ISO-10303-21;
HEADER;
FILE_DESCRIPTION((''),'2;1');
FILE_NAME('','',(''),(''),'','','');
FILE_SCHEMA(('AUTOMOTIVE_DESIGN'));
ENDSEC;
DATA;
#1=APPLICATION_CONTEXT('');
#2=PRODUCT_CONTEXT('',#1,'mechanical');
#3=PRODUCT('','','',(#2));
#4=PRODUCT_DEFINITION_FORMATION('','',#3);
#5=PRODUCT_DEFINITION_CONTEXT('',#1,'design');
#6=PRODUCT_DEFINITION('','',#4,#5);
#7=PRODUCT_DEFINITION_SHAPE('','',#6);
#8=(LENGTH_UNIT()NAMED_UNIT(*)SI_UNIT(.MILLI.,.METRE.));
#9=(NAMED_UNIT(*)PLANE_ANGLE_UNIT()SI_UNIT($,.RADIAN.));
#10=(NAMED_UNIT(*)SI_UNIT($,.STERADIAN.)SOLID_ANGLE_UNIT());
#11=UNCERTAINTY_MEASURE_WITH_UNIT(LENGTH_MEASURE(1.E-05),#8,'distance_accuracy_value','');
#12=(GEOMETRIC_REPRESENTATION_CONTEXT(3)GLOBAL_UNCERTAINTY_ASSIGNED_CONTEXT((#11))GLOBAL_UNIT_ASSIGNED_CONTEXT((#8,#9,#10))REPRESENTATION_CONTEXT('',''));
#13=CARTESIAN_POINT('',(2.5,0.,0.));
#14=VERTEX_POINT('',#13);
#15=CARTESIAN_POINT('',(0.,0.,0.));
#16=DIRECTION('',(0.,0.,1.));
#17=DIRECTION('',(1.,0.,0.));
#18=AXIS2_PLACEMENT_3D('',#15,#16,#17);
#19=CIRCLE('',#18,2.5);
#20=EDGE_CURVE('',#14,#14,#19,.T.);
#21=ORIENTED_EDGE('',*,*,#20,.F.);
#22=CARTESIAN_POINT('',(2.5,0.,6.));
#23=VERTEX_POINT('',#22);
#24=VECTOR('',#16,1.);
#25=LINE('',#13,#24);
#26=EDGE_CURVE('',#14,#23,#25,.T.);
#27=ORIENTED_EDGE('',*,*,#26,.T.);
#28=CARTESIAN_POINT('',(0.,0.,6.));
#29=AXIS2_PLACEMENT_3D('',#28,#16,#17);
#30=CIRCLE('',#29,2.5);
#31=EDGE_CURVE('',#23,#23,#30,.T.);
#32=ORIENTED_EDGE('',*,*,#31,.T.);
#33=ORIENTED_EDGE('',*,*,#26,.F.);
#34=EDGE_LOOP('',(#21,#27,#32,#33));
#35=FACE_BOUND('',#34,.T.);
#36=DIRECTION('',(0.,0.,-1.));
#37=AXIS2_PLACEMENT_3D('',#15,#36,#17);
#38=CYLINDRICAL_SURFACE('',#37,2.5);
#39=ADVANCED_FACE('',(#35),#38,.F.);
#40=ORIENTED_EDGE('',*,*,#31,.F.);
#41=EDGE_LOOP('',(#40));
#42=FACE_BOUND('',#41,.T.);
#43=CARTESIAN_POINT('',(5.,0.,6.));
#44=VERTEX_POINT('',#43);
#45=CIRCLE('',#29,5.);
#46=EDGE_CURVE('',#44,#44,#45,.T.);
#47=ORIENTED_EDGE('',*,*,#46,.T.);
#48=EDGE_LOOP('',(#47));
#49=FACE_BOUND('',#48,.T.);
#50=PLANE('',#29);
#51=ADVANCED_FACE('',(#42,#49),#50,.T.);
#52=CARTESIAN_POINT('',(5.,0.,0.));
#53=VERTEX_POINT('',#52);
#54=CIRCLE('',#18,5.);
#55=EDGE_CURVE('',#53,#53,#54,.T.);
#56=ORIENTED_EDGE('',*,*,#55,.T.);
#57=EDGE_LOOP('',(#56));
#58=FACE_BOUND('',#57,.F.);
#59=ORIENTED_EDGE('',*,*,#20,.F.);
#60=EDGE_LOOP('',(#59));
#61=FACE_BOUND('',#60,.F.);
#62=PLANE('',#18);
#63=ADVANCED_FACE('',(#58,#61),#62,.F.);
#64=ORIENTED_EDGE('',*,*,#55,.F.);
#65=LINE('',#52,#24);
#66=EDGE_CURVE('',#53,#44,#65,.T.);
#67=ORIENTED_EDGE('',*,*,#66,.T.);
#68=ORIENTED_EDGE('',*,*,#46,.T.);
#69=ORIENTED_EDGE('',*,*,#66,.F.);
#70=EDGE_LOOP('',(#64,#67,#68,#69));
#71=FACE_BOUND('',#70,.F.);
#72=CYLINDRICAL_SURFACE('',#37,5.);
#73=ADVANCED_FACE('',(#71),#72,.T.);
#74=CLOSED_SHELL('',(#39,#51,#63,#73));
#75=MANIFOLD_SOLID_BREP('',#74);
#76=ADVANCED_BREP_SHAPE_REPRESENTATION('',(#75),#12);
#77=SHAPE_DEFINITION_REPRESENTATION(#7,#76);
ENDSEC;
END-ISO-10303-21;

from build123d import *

# Parameters (mm, degrees)
CYLINDER001_R     = 2.5
CYLINDER001_DEPTH = 6
CYLINDER_R        = 5
CYLINDER_DEPTH    = 6


with BuildPart() as cylindre001:
    # Cylinder001 → Cylinder001 (new body)
    with BuildSketch(Plane.XY):
        Circle(CYLINDER001_R)
    extrude(amount=CYLINDER001_DEPTH)


with BuildPart() as cut:
    # Cylinder → Cylinder (new body)
    with BuildSketch(Plane.XY):
        Circle(CYLINDER_R)
    extrude(amount=CYLINDER_DEPTH)

    # Cut: cut Cylindre001
    add(cylindre001.part, mode=Mode.SUBTRACT)


solid = cut.part
